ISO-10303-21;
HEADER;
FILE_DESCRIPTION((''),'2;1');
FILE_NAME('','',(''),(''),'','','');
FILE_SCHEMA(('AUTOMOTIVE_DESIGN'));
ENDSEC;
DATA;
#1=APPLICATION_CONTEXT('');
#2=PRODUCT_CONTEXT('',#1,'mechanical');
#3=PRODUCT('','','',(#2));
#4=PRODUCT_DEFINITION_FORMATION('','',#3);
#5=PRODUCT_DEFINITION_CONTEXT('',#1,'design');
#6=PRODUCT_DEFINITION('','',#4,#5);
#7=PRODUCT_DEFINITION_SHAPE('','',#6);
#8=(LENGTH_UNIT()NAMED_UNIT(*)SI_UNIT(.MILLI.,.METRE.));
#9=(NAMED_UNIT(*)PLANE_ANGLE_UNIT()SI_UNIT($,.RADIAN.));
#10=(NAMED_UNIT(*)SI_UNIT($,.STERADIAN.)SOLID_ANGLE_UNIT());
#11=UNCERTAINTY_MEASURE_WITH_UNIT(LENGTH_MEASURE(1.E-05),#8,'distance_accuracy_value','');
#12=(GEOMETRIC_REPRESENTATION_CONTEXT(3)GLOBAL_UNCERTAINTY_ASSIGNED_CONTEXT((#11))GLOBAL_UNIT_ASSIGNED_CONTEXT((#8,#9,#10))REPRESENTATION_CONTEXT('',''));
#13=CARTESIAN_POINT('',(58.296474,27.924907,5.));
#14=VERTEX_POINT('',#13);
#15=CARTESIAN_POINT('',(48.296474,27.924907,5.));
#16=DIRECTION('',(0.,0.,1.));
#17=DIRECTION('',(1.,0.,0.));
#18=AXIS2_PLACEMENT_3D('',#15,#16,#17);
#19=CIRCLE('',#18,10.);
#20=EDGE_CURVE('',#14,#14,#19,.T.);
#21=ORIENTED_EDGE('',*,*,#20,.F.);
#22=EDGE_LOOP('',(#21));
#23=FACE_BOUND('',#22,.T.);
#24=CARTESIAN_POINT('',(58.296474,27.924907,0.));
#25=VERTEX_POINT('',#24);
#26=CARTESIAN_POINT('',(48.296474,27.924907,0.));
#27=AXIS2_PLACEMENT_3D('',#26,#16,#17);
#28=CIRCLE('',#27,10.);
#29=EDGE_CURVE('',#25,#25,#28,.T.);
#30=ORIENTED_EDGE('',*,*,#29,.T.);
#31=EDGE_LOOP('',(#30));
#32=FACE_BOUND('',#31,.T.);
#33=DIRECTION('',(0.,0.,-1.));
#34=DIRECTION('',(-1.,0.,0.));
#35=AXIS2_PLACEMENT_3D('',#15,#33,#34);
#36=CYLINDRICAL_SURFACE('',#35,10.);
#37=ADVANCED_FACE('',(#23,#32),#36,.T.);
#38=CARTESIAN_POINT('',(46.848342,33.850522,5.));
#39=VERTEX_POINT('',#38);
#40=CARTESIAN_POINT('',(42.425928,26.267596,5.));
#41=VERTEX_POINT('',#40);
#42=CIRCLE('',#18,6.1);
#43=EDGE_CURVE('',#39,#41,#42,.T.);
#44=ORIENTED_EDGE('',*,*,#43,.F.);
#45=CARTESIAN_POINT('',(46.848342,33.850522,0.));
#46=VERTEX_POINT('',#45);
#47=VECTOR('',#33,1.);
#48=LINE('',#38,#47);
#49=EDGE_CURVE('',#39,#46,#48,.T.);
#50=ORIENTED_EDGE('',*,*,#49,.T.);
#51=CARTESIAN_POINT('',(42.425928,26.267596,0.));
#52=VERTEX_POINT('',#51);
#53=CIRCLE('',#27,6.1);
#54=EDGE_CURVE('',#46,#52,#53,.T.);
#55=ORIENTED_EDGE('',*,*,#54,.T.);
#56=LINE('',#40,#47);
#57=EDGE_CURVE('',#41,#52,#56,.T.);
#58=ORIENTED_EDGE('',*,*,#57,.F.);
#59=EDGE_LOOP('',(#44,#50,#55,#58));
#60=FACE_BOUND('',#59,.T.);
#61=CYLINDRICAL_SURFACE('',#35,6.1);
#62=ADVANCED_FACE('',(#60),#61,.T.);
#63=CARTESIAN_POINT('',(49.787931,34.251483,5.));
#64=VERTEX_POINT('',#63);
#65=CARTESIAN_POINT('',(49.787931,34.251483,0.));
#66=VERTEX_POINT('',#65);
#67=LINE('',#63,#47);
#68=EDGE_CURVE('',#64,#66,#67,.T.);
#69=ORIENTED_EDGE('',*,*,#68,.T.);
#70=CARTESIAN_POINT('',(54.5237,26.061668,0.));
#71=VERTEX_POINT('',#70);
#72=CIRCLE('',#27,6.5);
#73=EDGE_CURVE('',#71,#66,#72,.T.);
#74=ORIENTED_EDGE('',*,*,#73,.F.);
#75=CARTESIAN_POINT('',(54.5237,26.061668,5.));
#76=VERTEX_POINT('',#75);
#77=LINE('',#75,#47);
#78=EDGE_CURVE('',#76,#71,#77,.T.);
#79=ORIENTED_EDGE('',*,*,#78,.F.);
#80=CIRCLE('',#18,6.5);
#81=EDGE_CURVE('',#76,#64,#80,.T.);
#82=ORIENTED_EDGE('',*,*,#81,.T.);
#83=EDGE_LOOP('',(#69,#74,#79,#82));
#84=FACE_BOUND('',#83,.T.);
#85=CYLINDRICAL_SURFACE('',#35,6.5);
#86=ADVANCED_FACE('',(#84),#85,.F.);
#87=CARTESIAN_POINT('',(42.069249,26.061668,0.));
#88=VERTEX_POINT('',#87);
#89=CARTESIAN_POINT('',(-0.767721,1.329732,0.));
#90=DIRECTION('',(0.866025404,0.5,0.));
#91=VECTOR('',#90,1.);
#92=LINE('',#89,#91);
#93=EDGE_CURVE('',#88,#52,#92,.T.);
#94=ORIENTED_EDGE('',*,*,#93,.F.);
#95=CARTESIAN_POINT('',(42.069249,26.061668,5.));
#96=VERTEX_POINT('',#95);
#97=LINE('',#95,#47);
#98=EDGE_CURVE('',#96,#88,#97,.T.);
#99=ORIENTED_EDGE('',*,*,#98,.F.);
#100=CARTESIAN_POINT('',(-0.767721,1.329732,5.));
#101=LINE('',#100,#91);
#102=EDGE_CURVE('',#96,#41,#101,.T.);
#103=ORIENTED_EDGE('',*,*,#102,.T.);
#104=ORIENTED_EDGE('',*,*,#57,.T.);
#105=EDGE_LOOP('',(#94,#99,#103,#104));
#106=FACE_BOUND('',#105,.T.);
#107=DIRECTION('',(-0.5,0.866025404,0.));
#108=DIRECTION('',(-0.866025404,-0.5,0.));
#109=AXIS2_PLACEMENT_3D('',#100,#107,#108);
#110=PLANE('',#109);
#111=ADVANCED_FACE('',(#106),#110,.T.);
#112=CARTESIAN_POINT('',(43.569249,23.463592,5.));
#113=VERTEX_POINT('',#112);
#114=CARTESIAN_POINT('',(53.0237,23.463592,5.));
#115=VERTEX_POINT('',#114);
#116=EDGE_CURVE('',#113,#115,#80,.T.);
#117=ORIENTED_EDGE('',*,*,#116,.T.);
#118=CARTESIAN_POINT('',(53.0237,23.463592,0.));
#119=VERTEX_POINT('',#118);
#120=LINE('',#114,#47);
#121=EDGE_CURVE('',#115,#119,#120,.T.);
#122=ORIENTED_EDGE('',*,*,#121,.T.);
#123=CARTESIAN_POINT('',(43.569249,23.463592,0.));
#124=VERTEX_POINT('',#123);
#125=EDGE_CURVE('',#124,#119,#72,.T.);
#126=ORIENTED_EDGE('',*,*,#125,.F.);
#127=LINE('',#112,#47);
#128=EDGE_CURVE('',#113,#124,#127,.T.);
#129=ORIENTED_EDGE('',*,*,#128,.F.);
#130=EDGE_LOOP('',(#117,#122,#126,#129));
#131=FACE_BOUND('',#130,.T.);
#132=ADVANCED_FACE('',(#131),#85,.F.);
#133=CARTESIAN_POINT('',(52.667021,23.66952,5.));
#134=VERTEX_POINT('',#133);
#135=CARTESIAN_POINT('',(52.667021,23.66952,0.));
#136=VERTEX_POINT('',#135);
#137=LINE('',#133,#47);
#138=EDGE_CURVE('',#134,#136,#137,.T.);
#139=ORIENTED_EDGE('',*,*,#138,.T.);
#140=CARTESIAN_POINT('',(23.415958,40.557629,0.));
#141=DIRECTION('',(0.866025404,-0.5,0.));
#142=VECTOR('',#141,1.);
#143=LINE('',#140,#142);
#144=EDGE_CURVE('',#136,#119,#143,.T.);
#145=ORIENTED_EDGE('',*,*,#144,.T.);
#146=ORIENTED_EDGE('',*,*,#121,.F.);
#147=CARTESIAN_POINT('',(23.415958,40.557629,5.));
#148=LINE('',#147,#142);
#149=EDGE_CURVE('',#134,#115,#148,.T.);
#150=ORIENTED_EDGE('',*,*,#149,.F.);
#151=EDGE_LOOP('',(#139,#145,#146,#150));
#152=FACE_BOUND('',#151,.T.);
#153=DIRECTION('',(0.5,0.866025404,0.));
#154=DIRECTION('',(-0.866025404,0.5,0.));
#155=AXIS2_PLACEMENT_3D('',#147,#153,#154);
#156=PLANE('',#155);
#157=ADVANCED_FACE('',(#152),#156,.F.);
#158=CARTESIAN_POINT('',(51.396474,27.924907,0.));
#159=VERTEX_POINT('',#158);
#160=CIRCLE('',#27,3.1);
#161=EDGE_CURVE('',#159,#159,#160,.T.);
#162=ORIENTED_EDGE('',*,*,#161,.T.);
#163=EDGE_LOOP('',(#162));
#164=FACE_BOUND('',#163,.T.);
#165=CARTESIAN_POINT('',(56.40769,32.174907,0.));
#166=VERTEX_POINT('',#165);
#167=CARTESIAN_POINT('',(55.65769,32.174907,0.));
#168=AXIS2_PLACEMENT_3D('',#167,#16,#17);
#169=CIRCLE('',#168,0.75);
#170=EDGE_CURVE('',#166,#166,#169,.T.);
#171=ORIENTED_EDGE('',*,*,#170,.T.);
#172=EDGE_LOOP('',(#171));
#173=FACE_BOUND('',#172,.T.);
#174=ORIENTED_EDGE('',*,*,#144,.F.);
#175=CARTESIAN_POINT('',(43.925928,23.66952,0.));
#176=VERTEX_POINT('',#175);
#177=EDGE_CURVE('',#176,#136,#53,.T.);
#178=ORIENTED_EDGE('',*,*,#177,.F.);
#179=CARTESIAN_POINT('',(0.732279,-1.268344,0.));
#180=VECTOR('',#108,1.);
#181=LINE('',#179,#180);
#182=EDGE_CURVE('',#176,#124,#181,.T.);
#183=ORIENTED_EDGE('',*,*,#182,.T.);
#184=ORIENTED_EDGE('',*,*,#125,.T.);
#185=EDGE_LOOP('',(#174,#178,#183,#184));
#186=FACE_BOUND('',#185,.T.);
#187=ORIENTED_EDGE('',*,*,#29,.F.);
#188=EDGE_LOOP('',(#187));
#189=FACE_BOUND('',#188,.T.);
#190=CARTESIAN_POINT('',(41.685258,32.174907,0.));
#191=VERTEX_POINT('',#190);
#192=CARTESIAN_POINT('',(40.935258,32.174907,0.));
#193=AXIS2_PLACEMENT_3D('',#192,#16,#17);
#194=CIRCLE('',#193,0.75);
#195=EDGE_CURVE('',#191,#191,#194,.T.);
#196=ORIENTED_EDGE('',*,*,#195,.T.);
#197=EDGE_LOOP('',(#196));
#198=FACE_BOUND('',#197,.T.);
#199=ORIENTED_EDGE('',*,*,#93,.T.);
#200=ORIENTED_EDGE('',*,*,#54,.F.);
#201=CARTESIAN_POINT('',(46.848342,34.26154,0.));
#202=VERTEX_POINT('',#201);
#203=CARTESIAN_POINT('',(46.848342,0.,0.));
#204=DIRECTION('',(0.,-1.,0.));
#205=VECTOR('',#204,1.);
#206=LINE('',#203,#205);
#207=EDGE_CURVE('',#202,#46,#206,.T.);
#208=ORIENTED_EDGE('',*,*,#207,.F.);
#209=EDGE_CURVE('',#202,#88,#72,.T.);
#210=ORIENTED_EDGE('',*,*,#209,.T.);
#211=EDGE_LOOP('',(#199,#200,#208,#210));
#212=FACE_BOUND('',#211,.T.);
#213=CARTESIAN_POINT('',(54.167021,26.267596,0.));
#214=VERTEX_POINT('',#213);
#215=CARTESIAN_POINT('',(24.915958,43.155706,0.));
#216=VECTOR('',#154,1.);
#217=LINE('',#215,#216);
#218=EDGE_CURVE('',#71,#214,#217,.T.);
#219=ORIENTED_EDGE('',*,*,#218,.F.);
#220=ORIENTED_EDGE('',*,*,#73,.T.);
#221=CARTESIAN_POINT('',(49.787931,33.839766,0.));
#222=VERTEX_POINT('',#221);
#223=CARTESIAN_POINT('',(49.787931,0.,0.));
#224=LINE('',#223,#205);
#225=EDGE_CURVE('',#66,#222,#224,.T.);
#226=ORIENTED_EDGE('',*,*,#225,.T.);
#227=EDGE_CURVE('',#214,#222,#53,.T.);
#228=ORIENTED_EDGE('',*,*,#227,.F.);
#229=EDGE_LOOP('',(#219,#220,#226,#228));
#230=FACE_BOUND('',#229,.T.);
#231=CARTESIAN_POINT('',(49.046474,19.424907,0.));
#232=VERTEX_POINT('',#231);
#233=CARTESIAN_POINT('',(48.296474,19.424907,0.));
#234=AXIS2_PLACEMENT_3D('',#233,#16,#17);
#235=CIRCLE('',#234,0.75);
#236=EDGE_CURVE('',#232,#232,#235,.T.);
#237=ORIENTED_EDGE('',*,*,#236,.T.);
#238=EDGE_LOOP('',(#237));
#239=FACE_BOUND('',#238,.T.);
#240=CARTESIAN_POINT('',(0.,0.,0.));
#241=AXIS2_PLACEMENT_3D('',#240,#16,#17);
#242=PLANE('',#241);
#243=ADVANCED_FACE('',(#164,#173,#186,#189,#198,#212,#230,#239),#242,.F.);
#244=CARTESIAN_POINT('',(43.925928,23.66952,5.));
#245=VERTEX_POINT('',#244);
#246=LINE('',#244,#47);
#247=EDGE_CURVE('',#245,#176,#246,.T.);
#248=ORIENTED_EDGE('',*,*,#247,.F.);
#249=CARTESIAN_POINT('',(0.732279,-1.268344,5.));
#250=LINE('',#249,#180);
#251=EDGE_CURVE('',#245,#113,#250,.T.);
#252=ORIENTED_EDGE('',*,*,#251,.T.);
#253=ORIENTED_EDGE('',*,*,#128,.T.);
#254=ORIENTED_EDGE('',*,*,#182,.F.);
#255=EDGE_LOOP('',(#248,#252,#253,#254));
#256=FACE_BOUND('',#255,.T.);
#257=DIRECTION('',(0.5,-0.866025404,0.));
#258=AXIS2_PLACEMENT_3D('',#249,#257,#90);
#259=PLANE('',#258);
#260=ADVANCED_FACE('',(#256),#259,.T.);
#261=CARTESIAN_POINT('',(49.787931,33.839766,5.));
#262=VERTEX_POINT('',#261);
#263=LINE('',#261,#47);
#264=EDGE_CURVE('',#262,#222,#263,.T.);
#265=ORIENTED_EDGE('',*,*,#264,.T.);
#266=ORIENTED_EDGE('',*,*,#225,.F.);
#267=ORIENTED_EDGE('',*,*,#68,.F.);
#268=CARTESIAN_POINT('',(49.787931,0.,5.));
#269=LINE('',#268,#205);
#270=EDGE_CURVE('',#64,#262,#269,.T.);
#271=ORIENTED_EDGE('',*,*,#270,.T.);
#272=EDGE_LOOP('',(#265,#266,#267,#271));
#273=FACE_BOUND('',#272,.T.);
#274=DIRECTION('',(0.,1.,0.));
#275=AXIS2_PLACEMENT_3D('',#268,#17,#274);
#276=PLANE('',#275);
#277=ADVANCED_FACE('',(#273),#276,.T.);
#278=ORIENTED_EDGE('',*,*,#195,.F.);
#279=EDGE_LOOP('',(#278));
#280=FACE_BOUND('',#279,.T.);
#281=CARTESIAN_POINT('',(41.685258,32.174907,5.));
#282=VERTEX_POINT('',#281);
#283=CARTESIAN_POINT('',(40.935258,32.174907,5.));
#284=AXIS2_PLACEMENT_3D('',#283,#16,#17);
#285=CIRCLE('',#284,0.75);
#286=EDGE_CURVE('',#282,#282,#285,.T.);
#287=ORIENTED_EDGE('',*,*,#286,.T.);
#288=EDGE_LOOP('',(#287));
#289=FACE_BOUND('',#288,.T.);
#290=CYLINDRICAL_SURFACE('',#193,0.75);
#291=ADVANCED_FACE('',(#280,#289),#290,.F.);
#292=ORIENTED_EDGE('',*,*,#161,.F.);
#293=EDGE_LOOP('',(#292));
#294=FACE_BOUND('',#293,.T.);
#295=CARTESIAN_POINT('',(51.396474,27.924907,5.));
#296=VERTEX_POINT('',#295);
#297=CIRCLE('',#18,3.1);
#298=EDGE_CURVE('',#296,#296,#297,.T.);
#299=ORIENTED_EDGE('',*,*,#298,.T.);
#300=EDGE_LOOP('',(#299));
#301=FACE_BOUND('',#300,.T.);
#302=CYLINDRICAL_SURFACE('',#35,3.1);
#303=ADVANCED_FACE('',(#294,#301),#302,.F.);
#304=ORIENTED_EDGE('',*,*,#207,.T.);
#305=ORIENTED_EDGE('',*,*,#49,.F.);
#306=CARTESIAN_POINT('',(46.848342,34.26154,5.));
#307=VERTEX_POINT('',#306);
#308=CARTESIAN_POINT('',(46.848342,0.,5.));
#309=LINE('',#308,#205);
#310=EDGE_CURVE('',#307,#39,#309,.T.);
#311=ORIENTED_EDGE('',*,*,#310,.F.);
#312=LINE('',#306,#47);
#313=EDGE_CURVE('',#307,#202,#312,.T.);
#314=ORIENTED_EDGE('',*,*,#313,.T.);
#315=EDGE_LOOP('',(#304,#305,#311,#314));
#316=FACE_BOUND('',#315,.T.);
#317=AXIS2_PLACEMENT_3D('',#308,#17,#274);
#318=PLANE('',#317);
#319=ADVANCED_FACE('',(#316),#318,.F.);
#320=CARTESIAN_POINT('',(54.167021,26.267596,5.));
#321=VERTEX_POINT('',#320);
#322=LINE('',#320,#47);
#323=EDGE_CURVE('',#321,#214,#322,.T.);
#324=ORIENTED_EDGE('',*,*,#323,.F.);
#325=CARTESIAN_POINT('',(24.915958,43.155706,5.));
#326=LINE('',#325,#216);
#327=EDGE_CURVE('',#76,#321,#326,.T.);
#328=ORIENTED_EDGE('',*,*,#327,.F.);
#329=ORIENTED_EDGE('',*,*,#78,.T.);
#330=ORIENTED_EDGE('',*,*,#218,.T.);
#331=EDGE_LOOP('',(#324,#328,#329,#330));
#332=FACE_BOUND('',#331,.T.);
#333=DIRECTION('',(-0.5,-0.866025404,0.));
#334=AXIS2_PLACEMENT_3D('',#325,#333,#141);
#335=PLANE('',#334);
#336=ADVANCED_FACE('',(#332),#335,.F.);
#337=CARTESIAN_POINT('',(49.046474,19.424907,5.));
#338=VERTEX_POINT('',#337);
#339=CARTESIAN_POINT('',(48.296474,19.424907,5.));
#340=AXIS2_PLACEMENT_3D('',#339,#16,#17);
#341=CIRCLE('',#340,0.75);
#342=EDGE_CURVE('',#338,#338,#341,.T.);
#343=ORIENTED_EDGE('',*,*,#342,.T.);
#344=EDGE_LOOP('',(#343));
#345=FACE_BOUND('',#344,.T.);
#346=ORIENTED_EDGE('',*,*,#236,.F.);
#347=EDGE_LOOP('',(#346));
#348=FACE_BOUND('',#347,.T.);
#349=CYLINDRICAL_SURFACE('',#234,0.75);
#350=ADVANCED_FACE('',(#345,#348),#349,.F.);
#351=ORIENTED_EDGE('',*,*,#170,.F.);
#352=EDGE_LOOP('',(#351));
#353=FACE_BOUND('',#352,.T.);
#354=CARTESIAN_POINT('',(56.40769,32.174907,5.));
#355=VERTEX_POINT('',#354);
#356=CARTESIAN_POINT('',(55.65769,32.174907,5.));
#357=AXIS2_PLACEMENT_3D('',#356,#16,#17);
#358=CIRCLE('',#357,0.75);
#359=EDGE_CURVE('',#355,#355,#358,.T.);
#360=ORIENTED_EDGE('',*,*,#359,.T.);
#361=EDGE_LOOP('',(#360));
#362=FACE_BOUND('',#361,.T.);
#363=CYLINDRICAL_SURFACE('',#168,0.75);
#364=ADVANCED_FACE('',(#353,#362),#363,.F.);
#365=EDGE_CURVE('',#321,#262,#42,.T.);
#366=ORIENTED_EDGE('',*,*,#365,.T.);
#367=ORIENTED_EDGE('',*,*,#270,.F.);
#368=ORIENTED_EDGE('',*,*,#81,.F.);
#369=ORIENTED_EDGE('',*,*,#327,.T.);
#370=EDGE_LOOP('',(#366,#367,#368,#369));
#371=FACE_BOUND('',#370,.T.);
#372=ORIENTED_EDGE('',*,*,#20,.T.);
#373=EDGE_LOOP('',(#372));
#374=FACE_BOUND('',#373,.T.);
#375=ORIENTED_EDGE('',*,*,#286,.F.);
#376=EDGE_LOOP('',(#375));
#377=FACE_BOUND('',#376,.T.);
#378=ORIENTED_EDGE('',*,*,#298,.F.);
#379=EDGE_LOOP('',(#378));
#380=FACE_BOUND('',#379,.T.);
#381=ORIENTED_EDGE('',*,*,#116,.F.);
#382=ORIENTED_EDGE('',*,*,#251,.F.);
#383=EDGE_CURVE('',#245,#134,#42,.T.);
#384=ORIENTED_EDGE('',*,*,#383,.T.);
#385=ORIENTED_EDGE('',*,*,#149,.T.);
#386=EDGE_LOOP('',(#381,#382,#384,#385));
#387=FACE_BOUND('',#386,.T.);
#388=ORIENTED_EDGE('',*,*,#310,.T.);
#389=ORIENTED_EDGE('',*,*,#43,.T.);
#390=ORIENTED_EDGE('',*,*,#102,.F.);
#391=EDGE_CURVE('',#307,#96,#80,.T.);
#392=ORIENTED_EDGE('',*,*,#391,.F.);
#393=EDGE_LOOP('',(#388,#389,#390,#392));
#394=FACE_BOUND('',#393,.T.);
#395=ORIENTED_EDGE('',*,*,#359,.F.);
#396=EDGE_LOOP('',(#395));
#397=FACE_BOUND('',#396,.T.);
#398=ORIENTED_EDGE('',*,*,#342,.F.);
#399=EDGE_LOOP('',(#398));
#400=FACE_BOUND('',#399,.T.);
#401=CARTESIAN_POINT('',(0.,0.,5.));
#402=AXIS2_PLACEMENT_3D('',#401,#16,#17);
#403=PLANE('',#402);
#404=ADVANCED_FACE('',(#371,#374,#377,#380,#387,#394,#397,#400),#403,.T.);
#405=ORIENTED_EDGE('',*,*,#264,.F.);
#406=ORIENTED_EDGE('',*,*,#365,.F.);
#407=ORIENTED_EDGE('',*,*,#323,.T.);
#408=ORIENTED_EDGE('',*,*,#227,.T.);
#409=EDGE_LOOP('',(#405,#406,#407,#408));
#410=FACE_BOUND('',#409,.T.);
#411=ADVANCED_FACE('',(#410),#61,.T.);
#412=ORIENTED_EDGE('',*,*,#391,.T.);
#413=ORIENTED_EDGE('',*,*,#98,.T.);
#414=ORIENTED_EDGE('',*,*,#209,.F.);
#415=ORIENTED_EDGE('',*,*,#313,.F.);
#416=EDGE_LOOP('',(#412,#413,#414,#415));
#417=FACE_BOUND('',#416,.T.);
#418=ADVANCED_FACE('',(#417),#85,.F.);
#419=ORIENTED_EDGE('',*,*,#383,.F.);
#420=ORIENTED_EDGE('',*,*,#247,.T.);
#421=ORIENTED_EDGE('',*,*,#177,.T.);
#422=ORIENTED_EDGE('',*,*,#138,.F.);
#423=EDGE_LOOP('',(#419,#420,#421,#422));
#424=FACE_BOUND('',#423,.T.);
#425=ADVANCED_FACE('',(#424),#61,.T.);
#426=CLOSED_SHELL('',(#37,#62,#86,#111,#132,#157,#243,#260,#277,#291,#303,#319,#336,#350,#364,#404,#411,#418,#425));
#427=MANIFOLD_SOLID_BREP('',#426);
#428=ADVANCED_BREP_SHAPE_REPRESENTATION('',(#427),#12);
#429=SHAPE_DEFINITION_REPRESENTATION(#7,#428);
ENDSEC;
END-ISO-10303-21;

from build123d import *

# Parameters (mm, degrees)
SKETCH_1_R          = 3.1
EXTRUDE_2_DEPTH     = 5
SKETCH_2_R          = 0.75
CUT_EXTRUDE_1_DEPTH = 5


with BuildPart() as part:
    # 草图1 → 凸台-拉伸2 (new body)
    # profile 1 of 13: a face of its own
    with BuildSketch(Plane.XY):
        with BuildLine():
            ThreePointArc((46.84834221, 37.819497557), (39.649360268, 32.947597766), (38.98420246, 24.280515578))
            Line((38.98420246, 24.280515578), (42.06924878, 26.061667901))
            ThreePointArc((42.06924878, 26.061667901), (42.680670311, 31.197940443), (46.84834221, 34.261540101))
            Line((46.84834221, 34.261540101), (46.84834221, 37.819497557))
        make_face()
    # profile 2 of 13: a face of its own
    with BuildSketch(Plane.XY):
        with BuildLine():
            Line((54.52369993, 26.061667901), (57.60874625, 24.280515578))
            ThreePointArc((57.60874625, 24.280515578), (58.123038326, 26.070550282), (58.296474355, 27.924907455))
            ThreePointArc((58.296474355, 27.924907455), (55.876532608, 34.447385273), (49.787930978, 37.813059818))
            Line((49.787930978, 37.813059818), (49.787930978, 34.251482923))
            ThreePointArc((49.787930978, 34.251482923), (53.392770463, 31.959478805), (54.796474355, 27.924907455))
            ThreePointArc((54.796474355, 27.924907455), (54.727919225, 26.983357201), (54.52369993, 26.061667901))
        make_face()
    # profile 3 of 13: a face of its own
    with BuildSketch(Plane.XY):
        with BuildLine():
            ThreePointArc((40.48420246, 21.682439366), (48.296474355, 17.924907455), (56.10874625, 21.682439366))
            Line((56.10874625, 21.682439366), (53.02369993, 23.463591689))
            ThreePointArc((53.02369993, 23.463591689), (48.296474355, 21.424907455), (43.56924878, 23.463591689))
            Line((43.56924878, 23.463591689), (40.48420246, 21.682439366))
        make_face()
    # profile 4 of 13: a face of its own
    with BuildSketch(Plane.XY):
        with BuildLine():
            ThreePointArc((38.98420246, 24.280515578), (39.636220317, 22.924907455), (40.48420246, 21.682439366))
            Line((40.48420246, 21.682439366), (43.56924878, 23.463591689))
            ThreePointArc((43.56924878, 23.463591689), (42.66730923, 24.674907455), (42.06924878, 26.061667901))
            Line((42.06924878, 26.061667901), (38.98420246, 24.280515578))
        make_face()
    # profile 5 of 13: a face of its own
    with BuildSketch(Plane.XY):
        with BuildLine():
            ThreePointArc((42.06924878, 26.061667901), (42.66730923, 24.674907455), (43.56924878, 23.463591689))
            Line((43.56924878, 23.463591689), (43.925927509, 23.66952025))
            ThreePointArc((43.925927509, 23.66952025), (43.013719392, 24.874907455), (42.425927509, 26.267596461))
            Line((42.425927509, 26.267596461), (42.06924878, 26.061667901))
        make_face()
    # profile 6 of 13: a face of its own
    with BuildSketch(Plane.XY):
        with BuildLine():
            Line((52.565394479, 27.19229608), (54.167021201, 26.267596461))
            ThreePointArc((54.167021201, 26.267596461), (54.338838783, 27.088347762), (54.396474355, 27.924907455))
            ThreePointArc((54.396474355, 27.924907455), (53.108328748, 31.67404833), (49.787930978, 33.839766468))
            Line((49.787930978, 33.839766468), (49.787930978, 32.638782116))
            Line((49.787930978, 32.638782116), (46.84834221, 32.638782116))
            Line((46.84834221, 32.638782116), (46.84834221, 33.850522469))
            ThreePointArc((46.84834221, 33.850522469), (43.027133101, 30.998023585), (42.425927509, 26.267596461))
            Line((42.425927509, 26.267596461), (43.927397053, 27.134470306))
            Line((43.927397053, 27.134470306), (45.427397053, 24.536394095))
            Line((45.427397053, 24.536394095), (43.925927509, 23.66952025))
            ThreePointArc((43.925927509, 23.66952025), (48.296474355, 21.824907455), (52.667021201, 23.66952025))
            Line((52.667021201, 23.66952025), (51.065394479, 24.594219869))
            Line((51.065394479, 24.594219869), (52.565394479, 27.19229608))
        make_face()
        with Locations((48.296474355, 27.924907455)):
            Circle(SKETCH_1_R, mode=Mode.SUBTRACT)
    # profile 7 of 13: a face of its own
    with BuildSketch(Plane.XY):
        with BuildLine():
            ThreePointArc((42.425927509, 26.267596461), (43.013719392, 24.874907455), (43.925927509, 23.66952025))
            Line((43.925927509, 23.66952025), (45.427397053, 24.536394095))
            Line((45.427397053, 24.536394095), (43.927397053, 27.134470306))
            Line((43.927397053, 27.134470306), (42.425927509, 26.267596461))
        make_face()
    # profile 8 of 13: a face of its own
    with BuildSketch(Plane.XY):
        with BuildLine():
            ThreePointArc((52.667021201, 23.66952025), (53.579229318, 24.874907455), (54.167021201, 26.267596461))
            Line((54.167021201, 26.267596461), (52.565394479, 27.19229608))
            Line((52.565394479, 27.19229608), (51.065394479, 24.594219869))
            Line((51.065394479, 24.594219869), (52.667021201, 23.66952025))
        make_face()
    # profile 9 of 13: a face of its own
    with BuildSketch(Plane.XY):
        with BuildLine():
            Line((49.787930978, 32.638782116), (49.787930978, 33.839766468))
            ThreePointArc((49.787930978, 33.839766468), (48.3187942, 34.024866621), (46.84834221, 33.850522469))
            Line((46.84834221, 33.850522469), (46.84834221, 32.638782116))
            Line((46.84834221, 32.638782116), (49.787930978, 32.638782116))
        make_face()
    # profile 10 of 13: a face of its own
    with BuildSketch(Plane.XY):
        with BuildLine():
            Line((49.787930978, 33.839766468), (49.787930978, 34.251482923))
            ThreePointArc((49.787930978, 34.251482923), (48.318712594, 34.424869414), (46.84834221, 34.261540101))
            Line((46.84834221, 34.261540101), (46.84834221, 33.850522469))
            ThreePointArc((46.84834221, 33.850522469), (48.3187942, 34.024866621), (49.787930978, 33.839766468))
        make_face()
    # profile 11 of 13: a face of its own
    with BuildSketch(Plane.XY):
        with BuildLine():
            ThreePointArc((53.02369993, 23.463591689), (53.92563948, 24.674907455), (54.52369993, 26.061667901))
            Line((54.52369993, 26.061667901), (54.167021201, 26.267596461))
            ThreePointArc((54.167021201, 26.267596461), (53.579229318, 24.874907455), (52.667021201, 23.66952025))
            Line((52.667021201, 23.66952025), (53.02369993, 23.463591689))
        make_face()
    # profile 12 of 13: a face of its own
    with BuildSketch(Plane.XY):
        with BuildLine():
            ThreePointArc((56.10874625, 21.682439366), (56.956728393, 22.924907455), (57.60874625, 24.280515578))
            Line((57.60874625, 24.280515578), (54.52369993, 26.061667901))
            ThreePointArc((54.52369993, 26.061667901), (53.92563948, 24.674907455), (53.02369993, 23.463591689))
            Line((53.02369993, 23.463591689), (56.10874625, 21.682439366))
        make_face()
    # profile 13 of 13: a face of its own
    with BuildSketch(Plane.XY):
        with BuildLine():
            Line((49.787930978, 34.251482923), (49.787930978, 37.813059818))
            ThreePointArc((49.787930978, 37.813059818), (48.31837444, 37.924883475), (46.84834221, 37.819497557))
            Line((46.84834221, 37.819497557), (46.84834221, 34.261540101))
            ThreePointArc((46.84834221, 34.261540101), (48.318712594, 34.424869414), (49.787930978, 34.251482923))
        make_face()
    extrude(amount=EXTRUDE_2_DEPTH)

    # 草图2 → 切除-拉伸1 (cut)
    with BuildSketch(Plane.XY.offset(5)):
        with Locations((40.935258423, 32.174907455)):
            Circle(SKETCH_2_R)
        with Locations((55.657690287, 32.174907455)):
            Circle(SKETCH_2_R)
        with Locations((48.296474355, 19.424907455)):
            Circle(SKETCH_2_R)
    extrude(amount=-CUT_EXTRUDE_1_DEPTH, mode=Mode.SUBTRACT)


solid = part.part
